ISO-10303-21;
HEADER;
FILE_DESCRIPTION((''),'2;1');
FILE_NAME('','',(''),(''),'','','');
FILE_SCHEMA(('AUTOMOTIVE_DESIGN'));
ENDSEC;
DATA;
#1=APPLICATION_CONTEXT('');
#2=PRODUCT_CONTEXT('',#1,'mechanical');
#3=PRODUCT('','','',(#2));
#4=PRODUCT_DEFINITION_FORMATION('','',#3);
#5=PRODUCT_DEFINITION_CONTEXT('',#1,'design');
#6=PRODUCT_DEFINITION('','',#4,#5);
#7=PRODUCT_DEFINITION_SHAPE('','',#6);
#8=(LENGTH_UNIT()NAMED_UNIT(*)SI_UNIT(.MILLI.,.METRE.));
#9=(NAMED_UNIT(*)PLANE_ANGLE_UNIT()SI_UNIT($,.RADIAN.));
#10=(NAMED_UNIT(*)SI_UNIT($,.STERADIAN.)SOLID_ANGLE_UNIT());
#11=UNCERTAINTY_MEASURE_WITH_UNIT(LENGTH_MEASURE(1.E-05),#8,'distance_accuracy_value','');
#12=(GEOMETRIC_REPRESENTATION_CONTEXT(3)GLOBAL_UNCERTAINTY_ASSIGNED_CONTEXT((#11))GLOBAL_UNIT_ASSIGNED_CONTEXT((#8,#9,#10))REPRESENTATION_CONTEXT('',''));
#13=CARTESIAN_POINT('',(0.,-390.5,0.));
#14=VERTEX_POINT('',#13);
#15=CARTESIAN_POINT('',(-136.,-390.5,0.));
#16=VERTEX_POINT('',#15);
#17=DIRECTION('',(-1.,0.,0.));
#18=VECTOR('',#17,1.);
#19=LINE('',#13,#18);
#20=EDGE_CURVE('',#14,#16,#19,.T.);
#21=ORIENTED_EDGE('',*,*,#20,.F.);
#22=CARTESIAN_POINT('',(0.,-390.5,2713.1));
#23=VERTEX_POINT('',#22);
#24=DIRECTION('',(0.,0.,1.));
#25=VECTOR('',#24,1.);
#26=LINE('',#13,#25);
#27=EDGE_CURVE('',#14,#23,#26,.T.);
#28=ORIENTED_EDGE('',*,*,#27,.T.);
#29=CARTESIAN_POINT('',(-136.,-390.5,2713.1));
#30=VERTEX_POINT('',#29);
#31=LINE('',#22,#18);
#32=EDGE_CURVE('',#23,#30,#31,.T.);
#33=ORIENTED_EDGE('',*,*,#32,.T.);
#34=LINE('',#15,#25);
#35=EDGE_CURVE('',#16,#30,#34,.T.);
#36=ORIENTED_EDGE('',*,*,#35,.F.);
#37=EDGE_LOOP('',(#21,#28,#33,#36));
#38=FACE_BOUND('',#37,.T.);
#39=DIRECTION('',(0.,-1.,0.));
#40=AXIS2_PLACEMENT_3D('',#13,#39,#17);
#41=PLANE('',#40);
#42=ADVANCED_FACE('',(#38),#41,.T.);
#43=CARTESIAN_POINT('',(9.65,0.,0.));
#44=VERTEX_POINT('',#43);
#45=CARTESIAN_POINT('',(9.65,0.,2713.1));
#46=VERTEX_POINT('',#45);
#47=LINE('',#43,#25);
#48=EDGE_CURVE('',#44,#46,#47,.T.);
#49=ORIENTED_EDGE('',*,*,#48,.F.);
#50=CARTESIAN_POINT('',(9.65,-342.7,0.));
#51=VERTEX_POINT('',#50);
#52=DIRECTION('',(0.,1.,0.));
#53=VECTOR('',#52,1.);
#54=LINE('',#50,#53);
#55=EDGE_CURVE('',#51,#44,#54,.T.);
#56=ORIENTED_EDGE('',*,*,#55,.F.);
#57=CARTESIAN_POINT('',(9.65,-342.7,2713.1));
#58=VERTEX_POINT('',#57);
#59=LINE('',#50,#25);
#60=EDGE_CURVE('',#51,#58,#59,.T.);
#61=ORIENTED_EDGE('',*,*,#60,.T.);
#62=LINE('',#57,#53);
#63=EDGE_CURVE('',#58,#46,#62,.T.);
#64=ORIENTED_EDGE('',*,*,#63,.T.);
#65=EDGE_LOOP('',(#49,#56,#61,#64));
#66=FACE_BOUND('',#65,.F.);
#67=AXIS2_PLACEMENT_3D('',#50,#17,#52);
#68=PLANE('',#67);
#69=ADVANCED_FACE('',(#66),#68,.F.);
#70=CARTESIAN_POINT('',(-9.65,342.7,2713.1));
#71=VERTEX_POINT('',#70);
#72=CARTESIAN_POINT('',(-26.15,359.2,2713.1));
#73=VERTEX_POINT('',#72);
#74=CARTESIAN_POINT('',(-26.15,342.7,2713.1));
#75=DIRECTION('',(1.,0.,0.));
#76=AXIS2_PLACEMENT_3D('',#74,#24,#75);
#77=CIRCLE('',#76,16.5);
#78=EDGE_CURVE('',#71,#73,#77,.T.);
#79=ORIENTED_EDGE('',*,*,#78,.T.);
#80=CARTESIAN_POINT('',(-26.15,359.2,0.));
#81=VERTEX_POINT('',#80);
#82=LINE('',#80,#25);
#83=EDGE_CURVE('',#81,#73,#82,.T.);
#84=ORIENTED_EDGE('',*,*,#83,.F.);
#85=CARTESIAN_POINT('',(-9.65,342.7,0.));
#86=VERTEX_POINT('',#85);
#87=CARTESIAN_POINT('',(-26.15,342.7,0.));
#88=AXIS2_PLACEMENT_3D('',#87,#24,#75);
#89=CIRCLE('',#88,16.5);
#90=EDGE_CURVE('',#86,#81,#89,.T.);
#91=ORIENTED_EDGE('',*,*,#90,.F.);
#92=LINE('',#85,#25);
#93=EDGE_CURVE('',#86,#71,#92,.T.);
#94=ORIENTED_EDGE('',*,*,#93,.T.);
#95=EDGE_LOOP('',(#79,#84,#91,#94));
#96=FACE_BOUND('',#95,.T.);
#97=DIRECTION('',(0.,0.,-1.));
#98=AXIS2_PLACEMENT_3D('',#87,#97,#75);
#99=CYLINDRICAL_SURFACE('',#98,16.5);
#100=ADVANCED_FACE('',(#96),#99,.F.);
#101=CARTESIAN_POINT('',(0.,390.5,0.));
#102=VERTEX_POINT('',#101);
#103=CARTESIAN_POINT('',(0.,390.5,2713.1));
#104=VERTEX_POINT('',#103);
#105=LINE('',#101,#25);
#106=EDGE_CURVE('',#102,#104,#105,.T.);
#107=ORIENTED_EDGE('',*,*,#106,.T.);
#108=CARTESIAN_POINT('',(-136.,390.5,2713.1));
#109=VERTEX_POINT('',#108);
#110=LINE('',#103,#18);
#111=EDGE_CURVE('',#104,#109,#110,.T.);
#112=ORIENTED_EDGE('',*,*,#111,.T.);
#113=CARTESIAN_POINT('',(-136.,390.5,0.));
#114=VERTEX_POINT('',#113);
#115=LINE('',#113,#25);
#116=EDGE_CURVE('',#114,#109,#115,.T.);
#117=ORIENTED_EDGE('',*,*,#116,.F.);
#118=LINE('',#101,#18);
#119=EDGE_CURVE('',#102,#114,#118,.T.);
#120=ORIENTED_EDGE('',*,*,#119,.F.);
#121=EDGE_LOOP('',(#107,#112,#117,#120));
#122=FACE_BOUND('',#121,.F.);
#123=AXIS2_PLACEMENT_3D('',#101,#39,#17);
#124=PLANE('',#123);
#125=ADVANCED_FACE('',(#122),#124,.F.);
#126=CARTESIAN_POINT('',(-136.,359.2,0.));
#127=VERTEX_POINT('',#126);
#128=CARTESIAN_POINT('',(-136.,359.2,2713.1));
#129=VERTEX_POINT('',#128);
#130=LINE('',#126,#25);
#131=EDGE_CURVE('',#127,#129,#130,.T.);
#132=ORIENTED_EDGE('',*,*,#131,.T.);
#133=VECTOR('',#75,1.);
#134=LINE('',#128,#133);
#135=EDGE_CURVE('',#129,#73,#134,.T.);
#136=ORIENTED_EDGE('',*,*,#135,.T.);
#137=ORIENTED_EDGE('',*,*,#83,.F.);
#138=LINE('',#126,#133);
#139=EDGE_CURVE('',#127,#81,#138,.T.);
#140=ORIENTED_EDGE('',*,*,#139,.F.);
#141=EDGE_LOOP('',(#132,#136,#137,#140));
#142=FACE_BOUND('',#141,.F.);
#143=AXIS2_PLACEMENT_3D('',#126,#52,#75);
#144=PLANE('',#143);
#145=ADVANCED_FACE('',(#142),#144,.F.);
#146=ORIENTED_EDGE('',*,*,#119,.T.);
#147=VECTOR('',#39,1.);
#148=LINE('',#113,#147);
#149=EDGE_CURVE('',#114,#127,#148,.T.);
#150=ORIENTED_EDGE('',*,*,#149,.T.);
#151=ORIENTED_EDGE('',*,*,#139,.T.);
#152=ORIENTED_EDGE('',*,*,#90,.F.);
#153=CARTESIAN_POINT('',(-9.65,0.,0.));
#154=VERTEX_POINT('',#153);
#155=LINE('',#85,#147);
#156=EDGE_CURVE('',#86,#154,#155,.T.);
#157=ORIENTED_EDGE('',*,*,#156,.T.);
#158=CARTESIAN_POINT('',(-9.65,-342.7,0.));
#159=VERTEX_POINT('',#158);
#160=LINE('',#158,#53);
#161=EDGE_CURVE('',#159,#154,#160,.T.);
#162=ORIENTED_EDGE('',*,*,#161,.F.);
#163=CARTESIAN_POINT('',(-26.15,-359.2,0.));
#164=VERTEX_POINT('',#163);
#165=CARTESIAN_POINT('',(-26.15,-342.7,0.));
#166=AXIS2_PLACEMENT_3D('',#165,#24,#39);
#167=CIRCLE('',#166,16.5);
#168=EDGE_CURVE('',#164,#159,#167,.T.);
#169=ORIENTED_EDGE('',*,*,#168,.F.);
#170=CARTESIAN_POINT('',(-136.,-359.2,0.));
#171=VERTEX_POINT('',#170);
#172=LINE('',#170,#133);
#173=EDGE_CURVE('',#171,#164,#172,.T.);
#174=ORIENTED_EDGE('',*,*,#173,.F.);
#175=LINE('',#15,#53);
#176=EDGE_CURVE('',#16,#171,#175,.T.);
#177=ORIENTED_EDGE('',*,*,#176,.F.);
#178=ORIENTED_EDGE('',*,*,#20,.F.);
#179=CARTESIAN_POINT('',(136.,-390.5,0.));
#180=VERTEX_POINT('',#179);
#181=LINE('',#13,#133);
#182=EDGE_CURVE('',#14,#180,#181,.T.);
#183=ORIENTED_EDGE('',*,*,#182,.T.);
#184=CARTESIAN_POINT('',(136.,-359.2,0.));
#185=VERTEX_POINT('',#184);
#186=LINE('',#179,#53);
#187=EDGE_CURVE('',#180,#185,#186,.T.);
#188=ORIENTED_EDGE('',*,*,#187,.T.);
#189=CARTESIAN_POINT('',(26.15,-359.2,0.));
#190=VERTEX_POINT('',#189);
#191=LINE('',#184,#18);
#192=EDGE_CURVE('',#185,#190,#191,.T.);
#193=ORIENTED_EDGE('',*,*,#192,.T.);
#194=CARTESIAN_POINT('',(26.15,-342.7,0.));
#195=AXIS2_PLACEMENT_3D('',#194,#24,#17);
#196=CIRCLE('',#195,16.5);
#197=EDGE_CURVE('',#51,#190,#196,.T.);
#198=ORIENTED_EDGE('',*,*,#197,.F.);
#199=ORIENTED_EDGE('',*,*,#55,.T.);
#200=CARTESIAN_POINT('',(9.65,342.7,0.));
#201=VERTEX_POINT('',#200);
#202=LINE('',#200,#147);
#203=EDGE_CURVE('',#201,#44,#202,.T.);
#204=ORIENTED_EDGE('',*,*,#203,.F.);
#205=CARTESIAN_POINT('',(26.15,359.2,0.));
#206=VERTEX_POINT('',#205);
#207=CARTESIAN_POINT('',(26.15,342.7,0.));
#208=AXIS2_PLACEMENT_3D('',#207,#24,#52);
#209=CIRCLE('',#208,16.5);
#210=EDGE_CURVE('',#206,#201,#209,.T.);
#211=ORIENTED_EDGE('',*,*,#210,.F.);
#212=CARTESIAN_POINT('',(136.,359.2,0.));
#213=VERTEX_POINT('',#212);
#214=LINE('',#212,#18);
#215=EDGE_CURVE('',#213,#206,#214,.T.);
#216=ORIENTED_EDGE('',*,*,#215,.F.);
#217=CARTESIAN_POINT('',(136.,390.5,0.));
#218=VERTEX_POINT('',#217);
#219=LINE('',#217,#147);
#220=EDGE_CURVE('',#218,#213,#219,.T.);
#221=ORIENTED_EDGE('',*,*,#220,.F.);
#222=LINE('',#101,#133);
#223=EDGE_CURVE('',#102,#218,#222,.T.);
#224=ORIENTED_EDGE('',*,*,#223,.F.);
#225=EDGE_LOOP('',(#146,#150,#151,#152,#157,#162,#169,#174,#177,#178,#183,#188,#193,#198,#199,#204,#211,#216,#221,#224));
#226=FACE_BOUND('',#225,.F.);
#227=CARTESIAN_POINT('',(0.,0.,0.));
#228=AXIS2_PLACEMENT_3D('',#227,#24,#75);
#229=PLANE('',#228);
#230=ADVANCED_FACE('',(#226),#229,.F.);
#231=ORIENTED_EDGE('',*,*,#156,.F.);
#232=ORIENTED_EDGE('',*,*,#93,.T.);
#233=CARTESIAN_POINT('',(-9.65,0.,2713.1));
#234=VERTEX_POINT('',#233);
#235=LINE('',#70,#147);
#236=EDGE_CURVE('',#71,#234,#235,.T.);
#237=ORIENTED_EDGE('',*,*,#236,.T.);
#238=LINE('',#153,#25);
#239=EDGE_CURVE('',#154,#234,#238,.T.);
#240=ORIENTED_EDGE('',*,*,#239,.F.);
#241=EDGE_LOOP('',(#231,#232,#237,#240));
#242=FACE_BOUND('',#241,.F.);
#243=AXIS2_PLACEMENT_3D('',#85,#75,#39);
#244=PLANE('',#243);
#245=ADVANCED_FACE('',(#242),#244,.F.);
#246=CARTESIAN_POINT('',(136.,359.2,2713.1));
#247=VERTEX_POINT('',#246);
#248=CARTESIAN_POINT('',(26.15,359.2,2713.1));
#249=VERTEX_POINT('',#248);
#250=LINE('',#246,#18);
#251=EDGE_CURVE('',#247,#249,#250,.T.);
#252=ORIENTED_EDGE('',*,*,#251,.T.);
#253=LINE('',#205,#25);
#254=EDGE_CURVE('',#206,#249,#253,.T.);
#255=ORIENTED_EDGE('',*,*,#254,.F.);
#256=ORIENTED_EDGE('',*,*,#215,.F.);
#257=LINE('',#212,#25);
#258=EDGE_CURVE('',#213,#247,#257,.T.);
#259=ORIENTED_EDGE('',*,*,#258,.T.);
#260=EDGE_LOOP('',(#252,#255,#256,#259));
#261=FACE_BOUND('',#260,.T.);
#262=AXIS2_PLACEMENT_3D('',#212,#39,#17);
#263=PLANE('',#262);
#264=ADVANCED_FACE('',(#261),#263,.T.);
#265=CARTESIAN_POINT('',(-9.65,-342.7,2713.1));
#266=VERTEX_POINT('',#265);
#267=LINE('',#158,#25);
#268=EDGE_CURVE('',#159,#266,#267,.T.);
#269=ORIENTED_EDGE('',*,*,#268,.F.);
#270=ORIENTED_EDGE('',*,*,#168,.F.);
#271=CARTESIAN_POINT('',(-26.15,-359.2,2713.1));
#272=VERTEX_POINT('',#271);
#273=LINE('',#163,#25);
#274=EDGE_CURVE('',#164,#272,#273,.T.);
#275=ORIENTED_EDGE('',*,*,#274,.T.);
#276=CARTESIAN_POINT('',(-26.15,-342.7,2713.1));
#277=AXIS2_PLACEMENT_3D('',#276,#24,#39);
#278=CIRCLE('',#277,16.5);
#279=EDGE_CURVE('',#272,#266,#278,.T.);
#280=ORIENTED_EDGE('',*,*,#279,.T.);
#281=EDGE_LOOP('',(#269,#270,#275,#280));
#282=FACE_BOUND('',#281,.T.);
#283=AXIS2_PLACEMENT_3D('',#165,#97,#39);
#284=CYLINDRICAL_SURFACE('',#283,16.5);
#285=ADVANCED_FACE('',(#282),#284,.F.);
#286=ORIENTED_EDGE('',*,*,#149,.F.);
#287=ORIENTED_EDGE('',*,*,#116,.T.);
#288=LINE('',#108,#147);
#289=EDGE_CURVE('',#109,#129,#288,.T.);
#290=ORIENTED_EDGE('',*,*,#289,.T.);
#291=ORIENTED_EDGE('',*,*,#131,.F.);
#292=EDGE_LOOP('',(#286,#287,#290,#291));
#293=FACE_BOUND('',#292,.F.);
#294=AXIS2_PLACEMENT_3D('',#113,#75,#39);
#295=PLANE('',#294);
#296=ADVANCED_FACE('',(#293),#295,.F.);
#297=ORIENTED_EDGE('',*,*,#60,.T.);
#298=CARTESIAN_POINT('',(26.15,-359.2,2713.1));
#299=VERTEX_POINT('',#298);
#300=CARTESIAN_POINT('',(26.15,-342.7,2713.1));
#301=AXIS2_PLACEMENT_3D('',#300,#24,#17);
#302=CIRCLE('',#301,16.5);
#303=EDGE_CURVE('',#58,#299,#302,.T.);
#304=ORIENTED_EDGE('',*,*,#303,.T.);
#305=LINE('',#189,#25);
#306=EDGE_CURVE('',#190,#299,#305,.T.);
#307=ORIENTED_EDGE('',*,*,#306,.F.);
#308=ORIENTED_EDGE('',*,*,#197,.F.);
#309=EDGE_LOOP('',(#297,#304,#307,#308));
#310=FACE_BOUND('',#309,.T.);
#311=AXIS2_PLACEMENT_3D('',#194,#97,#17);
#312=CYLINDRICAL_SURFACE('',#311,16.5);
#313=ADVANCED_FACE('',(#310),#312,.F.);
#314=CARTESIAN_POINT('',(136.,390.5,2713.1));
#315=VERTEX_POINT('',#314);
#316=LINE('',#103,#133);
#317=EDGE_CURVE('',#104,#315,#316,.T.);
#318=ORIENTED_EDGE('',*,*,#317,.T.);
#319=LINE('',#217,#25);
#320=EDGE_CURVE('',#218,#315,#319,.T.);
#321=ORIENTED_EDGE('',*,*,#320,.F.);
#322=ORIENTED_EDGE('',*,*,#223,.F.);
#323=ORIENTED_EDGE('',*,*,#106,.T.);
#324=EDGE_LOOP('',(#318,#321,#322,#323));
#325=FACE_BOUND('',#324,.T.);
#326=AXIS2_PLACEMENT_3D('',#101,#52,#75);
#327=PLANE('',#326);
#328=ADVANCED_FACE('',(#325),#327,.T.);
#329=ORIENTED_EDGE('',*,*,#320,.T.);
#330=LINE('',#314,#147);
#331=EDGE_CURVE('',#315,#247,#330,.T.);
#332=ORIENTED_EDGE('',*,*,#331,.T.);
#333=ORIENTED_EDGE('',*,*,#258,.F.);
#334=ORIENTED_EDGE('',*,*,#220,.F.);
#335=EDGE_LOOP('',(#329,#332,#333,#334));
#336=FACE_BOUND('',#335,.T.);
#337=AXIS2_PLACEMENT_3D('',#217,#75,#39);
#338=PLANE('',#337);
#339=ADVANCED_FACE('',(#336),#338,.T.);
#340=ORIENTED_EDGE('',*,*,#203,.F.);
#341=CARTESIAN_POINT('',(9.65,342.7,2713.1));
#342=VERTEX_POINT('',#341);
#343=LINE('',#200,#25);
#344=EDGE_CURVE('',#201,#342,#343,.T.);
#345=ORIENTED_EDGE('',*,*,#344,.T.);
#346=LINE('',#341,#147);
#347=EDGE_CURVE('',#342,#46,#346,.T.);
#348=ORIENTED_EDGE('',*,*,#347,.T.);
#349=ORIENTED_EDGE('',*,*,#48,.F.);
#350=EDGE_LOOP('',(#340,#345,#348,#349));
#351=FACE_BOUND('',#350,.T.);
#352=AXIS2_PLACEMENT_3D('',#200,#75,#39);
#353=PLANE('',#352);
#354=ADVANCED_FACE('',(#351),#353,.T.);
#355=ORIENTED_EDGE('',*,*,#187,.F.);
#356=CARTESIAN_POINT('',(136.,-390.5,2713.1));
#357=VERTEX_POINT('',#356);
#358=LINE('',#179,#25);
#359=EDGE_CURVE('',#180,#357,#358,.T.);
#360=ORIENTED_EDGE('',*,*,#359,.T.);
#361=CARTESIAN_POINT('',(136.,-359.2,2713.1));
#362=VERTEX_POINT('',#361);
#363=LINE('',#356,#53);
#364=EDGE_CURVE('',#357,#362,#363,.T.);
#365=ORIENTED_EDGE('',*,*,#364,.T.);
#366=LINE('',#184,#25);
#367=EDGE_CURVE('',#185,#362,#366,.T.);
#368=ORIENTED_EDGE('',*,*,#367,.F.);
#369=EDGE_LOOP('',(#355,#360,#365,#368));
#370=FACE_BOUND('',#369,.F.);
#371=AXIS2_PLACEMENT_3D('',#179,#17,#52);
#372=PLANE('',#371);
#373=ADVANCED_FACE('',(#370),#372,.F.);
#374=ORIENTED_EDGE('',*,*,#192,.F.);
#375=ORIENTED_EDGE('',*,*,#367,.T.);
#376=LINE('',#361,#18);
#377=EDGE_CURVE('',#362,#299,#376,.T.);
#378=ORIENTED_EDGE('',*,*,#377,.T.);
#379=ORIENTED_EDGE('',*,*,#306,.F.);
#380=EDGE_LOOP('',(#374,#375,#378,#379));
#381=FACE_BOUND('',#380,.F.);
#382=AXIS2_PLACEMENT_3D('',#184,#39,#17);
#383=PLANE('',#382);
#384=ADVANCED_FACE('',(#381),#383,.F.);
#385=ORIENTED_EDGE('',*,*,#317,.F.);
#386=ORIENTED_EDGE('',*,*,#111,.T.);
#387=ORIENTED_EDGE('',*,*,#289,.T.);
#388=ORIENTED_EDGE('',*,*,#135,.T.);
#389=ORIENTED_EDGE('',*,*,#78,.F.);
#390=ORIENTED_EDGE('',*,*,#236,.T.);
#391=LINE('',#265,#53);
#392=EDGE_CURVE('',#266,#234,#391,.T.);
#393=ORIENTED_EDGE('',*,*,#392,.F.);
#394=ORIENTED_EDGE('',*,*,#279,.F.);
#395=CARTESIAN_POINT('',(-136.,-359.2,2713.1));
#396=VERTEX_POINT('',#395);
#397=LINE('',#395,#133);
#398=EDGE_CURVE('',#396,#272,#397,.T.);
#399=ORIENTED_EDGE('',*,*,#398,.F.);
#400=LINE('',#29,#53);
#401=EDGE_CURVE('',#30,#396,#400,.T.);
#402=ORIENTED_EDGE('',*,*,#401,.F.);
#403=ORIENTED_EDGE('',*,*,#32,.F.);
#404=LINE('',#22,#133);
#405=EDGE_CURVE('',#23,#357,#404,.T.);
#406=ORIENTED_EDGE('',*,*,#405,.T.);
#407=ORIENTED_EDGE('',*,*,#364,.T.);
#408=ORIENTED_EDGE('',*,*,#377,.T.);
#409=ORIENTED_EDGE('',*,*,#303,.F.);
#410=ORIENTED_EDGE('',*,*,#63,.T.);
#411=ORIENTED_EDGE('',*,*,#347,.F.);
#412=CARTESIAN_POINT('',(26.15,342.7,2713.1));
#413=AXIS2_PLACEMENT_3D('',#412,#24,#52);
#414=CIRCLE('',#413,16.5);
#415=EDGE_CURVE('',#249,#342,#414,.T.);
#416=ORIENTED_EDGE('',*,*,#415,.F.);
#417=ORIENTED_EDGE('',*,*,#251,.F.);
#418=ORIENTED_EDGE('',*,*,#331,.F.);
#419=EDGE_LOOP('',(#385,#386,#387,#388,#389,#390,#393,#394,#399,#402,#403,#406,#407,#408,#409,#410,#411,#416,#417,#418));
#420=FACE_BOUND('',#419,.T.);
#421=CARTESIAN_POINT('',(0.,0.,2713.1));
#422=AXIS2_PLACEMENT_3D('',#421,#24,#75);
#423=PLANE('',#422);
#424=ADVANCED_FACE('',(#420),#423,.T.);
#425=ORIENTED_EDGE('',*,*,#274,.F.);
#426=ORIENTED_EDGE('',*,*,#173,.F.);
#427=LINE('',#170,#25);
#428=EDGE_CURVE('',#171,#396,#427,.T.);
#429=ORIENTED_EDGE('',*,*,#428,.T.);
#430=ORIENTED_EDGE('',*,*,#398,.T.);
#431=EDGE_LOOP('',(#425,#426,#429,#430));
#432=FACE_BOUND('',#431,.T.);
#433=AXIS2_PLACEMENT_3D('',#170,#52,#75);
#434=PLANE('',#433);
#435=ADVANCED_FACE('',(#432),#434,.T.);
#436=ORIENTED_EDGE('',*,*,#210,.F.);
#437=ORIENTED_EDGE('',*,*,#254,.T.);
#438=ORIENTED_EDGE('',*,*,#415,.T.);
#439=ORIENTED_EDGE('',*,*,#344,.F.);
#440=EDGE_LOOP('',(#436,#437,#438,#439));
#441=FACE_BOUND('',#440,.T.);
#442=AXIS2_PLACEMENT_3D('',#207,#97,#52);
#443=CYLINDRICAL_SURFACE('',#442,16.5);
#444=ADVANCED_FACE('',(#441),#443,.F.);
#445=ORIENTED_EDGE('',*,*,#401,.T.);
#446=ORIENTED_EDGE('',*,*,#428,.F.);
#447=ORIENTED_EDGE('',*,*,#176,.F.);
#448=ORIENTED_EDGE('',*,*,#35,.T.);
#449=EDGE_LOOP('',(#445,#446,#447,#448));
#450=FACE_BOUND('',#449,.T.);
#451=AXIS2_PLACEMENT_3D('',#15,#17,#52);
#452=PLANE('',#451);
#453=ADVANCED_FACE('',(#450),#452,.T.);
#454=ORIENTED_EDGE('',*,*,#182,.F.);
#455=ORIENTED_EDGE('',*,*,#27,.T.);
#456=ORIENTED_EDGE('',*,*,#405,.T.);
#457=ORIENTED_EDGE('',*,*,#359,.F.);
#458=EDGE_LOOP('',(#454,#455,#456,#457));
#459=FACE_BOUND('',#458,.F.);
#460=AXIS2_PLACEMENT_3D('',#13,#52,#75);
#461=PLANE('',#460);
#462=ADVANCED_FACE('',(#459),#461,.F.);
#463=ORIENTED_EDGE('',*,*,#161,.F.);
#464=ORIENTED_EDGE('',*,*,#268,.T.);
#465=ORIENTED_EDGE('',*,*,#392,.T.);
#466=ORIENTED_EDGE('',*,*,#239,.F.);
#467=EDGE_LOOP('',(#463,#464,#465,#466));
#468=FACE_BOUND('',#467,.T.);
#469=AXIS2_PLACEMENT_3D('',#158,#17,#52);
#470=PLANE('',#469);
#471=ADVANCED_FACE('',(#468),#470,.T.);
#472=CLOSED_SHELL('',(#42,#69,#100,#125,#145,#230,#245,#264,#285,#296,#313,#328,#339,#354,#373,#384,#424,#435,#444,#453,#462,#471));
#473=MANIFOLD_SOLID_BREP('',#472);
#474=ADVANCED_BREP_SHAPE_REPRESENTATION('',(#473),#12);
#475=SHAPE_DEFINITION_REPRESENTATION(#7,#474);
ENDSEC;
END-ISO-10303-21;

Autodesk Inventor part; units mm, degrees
ref_plane "YZ Plane" through (0, 0, 0) normal (1, 0, 0) x (0, 1, 0)
ref_plane "Start plane" through (0, 0, 0) normal (0, 0, 1) x (1, 0, 0)
ref_plane "End plane" through (0, 0, 2713.1) normal (0, 0, 1) x (1, 0, 0)
sketch "Sketch" plane through (0, 0, 0) normal (0, 0, 1) x (1, 0, 0)
  line L0 (-136, -390.5) -> (-136, -359.2)
  line L1 (-136, -359.2) -> (-26.15, -359.2)
  line L2 (-9.65, -342.7) -> (-9.65, 0)
  line L3 (-9.65, 0) -> (0, 0) construction
  line L4 (0, 0) -> (0, -390.5) construction
  line L5 (0, -390.5) -> (-136, -390.5)
  line L6 (-60, 0) -> (80, 0) construction
  line L7 (0, -60) -> (0, 80) construction
  line L8 (136, -390.5) -> (136, -359.2)
  line L9 (136, -359.2) -> (26.15, -359.2)
  line L10 (9.65, -342.7) -> (9.65, 0)
  line L11 (9.65, 0) -> (0, 0) construction
  line L12 (0, -390.5) -> (136, -390.5)
  line L13 (-136, 390.5) -> (-136, 359.2)
  line L14 (-136, 359.2) -> (-26.15, 359.2)
  line L15 (-9.65, 342.7) -> (-9.65, 0)
  line L16 (0, 390.5) -> (-136, 390.5)
  line L17 (136, 390.5) -> (136, 359.2)
  line L18 (136, 359.2) -> (26.15, 359.2)
  line L19 (0, 390.5) -> (136, 390.5)
  line L20 (9.65, 342.7) -> (9.65, 0)
  arc A0 (-9.65, 342.7) -> (-26.15, 359.2) centre (-26.15, 342.7) ccw
  arc A1 (26.15, 359.2) -> (9.65, 342.7) centre (26.15, 342.7) ccw
  arc A2 (9.65, -342.7) -> (26.15, -359.2) centre (26.15, -342.7) ccw
  arc A3 (-26.15, -359.2) -> (-9.65, -342.7) centre (-26.15, -342.7) ccw
  line L21 (0, 108) -> (0, -88) construction
  line L22 (-88, 0) -> (108, 0) construction
  point P0 (-9.65, -359.2)
  point P1 (9.65, -359.2)
  point P2 (-9.65, 359.2)
  point P3 (9.65, 359.2)
  dimension "d1" = 390.5
  dimension "d2" = 31.3
  dimension "d3" = 136
  dimension "d4" = 9.65
  dimension "d10" = 16.5
extrude "Body" add sketch "Sketch" along normal up to surface (2713.1 mm away) from surface at 0
sketch "Sketch4" plane through (0, 0, 0) normal (0, 0, 1) x (1, 0, 0)
  line L0 (0, 0) -> (10, 0)
ref_plane "Work Plane3" through (0, 0, 0) normal (0, -1, 0) x (1, 0, 0)
sketch "Sketch5" plane through (0, 0, 0) normal (0, -1, 0) x (1, 0, 0)
  line L0 (-2, 0) -> (12, 0) projected
  line L1 (-2, 2713.1) -> (12, 2713.1) projected
  dimension "d14" = 2713.1
equation "\"d1\" = 0.5 * G_H"
equation "\"d2\" = G_T1"
equation "\"d3\" = 0.5 * G_W"
equation "\"d4\" = 0.5 * G_T"
equation "\"d10\" = G_IR"
equation "\"d5\" = G_L"
equation "\"G_W\" = 272"
equation "\"G_H\" = 781"
equation "\"G_T\" = 19.3"
equation "\"G_T1\" = 31.3"
equation "\"G_IR\" = 16.5"
equation "\"G_L\" = d14"
equation "\"G_OFFSET_START\" = 0"
equation "\"G_OFFSET_END\" = 0"
equation "\"d12\" = G_OFFSET_END + B_L"
equation "\"B_L\" = 2713.1"
properties part number "AS 3679-1990 - 760 UB - 244 - 2713.1" material "Steel, Mild"
